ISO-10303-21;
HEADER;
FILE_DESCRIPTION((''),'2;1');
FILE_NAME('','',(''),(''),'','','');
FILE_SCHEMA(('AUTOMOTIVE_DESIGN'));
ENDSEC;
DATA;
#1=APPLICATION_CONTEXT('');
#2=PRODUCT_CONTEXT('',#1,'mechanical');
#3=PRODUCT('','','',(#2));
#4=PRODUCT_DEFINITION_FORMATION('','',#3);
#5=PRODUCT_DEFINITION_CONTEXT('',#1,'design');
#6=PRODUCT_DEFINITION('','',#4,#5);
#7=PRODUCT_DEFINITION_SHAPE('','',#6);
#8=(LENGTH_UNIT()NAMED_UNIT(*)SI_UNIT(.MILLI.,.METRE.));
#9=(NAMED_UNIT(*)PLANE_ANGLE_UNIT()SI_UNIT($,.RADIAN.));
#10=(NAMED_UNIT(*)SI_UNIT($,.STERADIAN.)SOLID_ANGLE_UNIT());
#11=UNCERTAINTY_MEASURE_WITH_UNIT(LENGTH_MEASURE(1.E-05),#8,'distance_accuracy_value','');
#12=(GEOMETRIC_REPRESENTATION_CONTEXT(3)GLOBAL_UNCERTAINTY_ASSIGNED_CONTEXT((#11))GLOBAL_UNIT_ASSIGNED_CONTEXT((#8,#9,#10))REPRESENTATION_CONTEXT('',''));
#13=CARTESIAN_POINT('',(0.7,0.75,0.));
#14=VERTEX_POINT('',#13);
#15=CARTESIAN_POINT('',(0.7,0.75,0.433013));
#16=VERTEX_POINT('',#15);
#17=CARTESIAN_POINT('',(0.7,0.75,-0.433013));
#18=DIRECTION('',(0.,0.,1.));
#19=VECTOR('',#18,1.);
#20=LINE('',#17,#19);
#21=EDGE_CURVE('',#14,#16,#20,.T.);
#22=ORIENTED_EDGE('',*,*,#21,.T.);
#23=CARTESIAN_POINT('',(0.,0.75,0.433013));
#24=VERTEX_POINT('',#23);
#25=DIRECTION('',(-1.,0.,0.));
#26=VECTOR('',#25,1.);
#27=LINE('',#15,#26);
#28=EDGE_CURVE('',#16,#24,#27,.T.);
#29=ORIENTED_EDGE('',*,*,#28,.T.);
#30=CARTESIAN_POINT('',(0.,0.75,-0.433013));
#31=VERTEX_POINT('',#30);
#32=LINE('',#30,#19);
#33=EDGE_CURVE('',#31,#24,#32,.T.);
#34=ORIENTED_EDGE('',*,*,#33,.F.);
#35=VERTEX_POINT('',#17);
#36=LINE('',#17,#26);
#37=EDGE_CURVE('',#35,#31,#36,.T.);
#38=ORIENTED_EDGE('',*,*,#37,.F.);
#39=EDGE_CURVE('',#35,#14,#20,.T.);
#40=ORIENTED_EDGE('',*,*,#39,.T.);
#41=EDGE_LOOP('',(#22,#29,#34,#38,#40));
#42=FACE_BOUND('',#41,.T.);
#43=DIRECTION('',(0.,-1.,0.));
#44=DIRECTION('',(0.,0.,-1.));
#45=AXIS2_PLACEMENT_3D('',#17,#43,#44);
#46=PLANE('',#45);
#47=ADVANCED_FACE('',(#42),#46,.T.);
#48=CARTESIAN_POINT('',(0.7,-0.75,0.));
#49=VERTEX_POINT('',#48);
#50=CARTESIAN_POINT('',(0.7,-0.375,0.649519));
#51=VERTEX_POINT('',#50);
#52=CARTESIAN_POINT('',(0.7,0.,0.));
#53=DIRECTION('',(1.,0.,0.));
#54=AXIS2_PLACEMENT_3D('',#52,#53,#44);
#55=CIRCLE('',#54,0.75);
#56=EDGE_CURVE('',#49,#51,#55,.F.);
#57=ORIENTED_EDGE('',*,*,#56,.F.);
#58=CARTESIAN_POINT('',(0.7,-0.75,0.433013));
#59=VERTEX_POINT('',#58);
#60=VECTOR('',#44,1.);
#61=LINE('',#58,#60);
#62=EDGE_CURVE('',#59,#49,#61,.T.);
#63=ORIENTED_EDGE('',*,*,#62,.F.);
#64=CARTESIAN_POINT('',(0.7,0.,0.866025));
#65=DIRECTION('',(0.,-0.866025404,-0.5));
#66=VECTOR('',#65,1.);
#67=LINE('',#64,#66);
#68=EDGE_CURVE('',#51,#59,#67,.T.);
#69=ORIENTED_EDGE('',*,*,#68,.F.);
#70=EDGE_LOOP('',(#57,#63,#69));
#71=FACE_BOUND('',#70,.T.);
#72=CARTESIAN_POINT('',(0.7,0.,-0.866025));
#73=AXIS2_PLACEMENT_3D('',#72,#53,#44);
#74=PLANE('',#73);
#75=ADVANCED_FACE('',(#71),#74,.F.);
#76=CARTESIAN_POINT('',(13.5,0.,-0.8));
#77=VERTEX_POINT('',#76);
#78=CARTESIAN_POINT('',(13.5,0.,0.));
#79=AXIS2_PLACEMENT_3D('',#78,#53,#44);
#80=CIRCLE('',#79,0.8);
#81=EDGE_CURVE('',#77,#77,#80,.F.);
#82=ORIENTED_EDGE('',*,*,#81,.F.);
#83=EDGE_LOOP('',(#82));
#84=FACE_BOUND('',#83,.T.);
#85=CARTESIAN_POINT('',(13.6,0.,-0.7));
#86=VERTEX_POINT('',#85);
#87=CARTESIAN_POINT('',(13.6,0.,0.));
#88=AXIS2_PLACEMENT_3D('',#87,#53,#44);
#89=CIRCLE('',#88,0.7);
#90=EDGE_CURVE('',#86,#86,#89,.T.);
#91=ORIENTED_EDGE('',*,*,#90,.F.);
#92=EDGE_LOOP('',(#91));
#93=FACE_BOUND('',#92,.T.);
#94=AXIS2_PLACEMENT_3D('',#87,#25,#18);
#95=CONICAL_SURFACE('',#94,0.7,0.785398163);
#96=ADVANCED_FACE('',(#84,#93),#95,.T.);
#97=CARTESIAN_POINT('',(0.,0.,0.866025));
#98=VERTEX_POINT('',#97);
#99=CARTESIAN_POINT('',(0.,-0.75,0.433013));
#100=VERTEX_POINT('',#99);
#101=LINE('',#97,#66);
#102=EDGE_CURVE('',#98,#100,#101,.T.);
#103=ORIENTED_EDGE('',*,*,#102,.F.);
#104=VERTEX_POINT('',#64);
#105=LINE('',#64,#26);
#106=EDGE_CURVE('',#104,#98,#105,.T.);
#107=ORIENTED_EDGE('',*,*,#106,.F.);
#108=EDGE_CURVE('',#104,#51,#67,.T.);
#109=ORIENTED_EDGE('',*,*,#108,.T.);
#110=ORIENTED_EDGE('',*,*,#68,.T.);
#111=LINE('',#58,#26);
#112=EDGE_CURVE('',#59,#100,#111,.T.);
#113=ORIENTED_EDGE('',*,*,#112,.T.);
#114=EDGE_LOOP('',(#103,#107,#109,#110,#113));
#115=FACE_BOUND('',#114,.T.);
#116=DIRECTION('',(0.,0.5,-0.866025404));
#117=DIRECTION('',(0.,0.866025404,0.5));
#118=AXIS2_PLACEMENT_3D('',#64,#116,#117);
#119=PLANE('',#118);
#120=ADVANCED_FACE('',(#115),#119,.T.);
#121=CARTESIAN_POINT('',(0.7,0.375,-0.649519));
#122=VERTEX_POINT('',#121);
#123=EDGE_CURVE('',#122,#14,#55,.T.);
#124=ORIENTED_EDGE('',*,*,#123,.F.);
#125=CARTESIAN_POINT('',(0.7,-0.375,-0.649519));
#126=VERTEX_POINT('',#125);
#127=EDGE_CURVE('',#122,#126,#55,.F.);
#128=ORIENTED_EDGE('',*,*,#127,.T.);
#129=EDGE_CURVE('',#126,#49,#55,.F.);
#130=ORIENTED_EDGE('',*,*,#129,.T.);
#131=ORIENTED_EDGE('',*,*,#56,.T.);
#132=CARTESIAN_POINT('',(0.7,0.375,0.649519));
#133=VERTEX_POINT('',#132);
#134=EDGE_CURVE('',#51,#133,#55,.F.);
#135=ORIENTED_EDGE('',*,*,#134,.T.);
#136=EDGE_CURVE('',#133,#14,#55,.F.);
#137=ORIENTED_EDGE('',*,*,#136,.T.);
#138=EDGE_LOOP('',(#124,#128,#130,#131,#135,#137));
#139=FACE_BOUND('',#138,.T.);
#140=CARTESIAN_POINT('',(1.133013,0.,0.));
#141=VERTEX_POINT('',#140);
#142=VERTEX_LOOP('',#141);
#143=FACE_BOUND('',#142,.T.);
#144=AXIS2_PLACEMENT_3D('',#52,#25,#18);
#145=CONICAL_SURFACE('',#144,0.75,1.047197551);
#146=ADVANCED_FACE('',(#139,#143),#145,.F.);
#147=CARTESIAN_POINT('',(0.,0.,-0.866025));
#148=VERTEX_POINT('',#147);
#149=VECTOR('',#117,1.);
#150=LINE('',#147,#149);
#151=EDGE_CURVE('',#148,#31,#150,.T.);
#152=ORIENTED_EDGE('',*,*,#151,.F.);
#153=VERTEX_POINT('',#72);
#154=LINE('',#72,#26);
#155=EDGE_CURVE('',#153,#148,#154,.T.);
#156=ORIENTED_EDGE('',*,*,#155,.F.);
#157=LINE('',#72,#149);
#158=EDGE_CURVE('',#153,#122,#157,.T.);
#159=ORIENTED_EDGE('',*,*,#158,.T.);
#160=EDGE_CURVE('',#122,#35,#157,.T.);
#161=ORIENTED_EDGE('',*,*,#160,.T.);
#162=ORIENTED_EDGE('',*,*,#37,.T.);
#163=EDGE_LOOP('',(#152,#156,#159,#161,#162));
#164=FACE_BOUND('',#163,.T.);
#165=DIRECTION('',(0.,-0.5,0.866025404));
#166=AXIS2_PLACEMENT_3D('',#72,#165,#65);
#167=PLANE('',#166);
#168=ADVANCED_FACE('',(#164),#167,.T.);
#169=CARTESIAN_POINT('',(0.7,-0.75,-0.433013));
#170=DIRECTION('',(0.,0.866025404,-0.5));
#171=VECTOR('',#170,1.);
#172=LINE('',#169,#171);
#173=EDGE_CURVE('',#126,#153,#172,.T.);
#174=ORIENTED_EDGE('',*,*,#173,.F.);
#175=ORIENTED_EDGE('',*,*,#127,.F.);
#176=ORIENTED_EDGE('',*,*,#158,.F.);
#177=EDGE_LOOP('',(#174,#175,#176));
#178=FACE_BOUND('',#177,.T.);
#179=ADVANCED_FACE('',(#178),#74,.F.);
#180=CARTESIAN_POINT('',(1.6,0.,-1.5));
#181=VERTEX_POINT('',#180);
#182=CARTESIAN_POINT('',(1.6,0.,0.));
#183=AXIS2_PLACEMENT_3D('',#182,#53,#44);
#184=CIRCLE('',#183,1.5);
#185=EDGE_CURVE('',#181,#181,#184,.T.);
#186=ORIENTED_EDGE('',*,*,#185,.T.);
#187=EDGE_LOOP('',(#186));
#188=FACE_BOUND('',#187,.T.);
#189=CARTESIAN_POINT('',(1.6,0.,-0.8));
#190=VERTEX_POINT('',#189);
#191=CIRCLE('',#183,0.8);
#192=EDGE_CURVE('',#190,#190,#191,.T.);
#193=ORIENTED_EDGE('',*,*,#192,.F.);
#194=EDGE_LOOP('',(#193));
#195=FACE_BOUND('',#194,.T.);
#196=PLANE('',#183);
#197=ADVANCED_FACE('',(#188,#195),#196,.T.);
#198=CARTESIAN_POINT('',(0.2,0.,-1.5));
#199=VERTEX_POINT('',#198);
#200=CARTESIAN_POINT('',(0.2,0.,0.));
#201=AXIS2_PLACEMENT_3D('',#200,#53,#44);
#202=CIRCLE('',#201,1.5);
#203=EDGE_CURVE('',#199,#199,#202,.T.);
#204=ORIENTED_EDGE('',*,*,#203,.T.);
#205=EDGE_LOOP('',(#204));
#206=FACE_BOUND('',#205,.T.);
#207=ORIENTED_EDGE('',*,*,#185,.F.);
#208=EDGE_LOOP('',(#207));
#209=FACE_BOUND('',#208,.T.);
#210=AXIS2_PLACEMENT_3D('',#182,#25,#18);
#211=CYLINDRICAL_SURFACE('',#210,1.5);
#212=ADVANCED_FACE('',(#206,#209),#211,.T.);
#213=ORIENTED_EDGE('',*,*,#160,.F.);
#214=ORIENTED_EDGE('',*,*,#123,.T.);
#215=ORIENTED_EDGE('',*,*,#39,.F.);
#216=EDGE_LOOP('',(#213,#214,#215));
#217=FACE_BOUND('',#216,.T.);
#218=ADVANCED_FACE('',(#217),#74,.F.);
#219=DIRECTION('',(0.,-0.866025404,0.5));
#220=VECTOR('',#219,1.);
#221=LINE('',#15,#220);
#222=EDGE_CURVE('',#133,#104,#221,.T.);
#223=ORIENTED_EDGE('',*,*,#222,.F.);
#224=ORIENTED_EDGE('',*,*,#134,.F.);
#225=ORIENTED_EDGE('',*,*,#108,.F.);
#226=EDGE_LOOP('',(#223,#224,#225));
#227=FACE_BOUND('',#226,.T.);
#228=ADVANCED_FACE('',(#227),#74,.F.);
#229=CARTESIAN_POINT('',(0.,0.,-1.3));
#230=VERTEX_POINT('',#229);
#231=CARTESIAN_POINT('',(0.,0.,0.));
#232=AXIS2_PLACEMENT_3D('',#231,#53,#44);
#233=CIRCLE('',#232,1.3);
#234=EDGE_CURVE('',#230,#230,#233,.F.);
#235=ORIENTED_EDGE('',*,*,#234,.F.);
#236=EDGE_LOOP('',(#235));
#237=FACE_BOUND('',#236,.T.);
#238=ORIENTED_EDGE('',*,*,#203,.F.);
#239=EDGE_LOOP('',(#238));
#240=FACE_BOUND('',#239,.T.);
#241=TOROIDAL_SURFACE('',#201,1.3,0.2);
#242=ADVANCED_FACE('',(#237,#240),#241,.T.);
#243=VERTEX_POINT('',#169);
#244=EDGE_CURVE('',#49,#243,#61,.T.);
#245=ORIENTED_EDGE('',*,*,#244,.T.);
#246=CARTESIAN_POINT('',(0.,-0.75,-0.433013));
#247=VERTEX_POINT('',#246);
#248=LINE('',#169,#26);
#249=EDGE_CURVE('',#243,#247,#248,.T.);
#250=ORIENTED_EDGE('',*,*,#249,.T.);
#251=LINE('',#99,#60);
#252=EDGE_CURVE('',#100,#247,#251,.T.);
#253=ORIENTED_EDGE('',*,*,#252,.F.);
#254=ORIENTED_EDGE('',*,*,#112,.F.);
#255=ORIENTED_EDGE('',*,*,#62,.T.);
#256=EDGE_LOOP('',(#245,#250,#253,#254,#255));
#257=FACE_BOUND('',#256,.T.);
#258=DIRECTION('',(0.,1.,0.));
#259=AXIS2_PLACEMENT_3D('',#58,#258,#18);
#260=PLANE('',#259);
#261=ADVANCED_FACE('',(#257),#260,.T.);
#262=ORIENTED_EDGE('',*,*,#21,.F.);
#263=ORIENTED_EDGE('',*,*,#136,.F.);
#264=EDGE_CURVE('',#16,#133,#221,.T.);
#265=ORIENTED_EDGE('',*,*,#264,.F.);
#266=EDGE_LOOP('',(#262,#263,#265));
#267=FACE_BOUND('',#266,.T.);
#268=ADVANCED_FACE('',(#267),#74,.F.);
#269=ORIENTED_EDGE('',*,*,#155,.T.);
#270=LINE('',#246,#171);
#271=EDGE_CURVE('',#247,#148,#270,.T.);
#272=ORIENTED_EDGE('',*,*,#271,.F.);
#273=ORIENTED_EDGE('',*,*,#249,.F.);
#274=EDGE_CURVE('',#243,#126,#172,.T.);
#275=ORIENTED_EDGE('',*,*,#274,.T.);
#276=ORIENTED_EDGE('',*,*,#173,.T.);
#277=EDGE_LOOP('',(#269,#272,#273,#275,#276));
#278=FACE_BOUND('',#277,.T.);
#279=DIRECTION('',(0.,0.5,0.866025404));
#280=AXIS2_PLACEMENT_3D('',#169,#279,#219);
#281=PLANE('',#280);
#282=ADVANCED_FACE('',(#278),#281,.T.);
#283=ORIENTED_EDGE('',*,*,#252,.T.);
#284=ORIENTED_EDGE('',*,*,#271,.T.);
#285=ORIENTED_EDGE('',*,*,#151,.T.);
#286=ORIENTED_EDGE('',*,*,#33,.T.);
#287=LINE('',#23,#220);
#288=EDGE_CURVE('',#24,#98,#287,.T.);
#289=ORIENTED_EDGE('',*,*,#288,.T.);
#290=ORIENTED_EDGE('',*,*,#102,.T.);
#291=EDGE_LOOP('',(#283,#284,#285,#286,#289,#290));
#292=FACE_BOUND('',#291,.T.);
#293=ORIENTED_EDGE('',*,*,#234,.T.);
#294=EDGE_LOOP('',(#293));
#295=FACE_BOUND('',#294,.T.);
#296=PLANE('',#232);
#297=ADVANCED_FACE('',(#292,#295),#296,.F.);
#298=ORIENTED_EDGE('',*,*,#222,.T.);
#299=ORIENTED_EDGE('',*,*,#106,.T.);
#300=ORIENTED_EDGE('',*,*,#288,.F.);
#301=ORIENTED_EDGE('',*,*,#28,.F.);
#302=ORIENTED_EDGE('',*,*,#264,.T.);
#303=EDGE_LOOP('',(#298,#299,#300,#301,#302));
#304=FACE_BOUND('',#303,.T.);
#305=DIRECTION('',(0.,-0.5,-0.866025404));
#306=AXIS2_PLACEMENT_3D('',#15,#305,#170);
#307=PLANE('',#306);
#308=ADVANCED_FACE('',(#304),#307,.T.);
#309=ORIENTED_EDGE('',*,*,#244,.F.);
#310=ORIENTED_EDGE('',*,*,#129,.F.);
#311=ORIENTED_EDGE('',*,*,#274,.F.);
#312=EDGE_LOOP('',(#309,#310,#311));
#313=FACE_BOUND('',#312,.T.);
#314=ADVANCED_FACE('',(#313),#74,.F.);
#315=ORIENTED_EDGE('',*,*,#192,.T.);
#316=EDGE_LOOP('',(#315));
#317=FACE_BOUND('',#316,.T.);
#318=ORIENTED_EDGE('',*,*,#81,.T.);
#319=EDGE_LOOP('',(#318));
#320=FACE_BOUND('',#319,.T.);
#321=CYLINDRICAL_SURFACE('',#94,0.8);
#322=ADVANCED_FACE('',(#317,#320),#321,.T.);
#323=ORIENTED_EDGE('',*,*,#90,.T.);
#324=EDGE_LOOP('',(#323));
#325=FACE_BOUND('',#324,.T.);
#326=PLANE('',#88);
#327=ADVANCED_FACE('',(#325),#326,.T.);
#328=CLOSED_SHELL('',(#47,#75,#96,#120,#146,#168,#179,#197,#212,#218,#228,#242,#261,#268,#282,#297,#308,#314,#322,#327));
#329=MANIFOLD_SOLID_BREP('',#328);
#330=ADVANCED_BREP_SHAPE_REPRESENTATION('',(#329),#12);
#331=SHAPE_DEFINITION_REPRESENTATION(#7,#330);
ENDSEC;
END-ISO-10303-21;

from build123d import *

# Parameters (mm, degrees)
SKETCH1_R           = 1.5
BASEHEAD_DEPTH      = 1.6
SKETCH2_R           = 0.8
BASEBODY_DEPTH      = 12
HEXAGONSOCKET_DEPTH = 0.7
TOPFILLET_R         = 0.2
CHAMFER1_SIZE       = 0.1


with BuildPart() as part:
    # Sketch1 → BaseHead (new body)
    with BuildSketch(Plane(origin=(0, 0, 0), x_dir=(0, 0, -1), z_dir=(1, 0, 0))):
        Circle(SKETCH1_R)
    extrude(amount=BASEHEAD_DEPTH)

    # Sketch2 → BaseBody (add)
    with BuildSketch(Plane(origin=(1.6, 0, 0), x_dir=(0, 0, -1), z_dir=(1, 0, 0))):
        Circle(SKETCH2_R)
    extrude(amount=BASEBODY_DEPTH)

    # Sketch3 → HexagonSocket (cut)
    with BuildSketch(Plane(origin=(0, 0, 0), x_dir=(0, 0, -1), z_dir=(1, 0, 0))):
        Polygon((0.866025404, 0), (0.433012702, 0.75), (-0.433012702, 0.75), (-0.866025404, 0), (-0.433012702, -0.75), (0.433012702, -0.75), align=None)
    extrude(amount=HEXAGONSOCKET_DEPTH, mode=Mode.SUBTRACT)

    # Sketch4 → Cut-Revolve1 (revolve, cut)
    with BuildSketch(Plane(origin=(-4.19613823, 0.75, 0), x_dir=(-1, 0, 0), z_dir=(0, 0, 1)), mode=Mode.PRIVATE) as cut_revolve1_sk:
        Polygon((-4.89613823, 1.5), (-5.329150931, 0.75), (-4.89613823, 0.75), align=None)
    revolve(cut_revolve1_sk.sketch.rotate(Axis((0.838992387, 0, 0), (-1, 0, 0)), 90), axis=Axis((0.838992387, 0, 0), (-1, 0, 0)), mode=Mode.SUBTRACT)

    # TopFillet
    topfillet_edges = [part.edges().sort_by_distance(p)[0] for p in [
        (0, 0, 1.5),
    ]]
    fillet(topfillet_edges, radius=TOPFILLET_R)

    # Chamfer1
    chamfer1_edges = [part.edges().sort_by_distance(p)[0] for p in [
        (13.6, 0, 0.8),
    ]]
    chamfer(chamfer1_edges, length=CHAMFER1_SIZE)


solid = part.part
